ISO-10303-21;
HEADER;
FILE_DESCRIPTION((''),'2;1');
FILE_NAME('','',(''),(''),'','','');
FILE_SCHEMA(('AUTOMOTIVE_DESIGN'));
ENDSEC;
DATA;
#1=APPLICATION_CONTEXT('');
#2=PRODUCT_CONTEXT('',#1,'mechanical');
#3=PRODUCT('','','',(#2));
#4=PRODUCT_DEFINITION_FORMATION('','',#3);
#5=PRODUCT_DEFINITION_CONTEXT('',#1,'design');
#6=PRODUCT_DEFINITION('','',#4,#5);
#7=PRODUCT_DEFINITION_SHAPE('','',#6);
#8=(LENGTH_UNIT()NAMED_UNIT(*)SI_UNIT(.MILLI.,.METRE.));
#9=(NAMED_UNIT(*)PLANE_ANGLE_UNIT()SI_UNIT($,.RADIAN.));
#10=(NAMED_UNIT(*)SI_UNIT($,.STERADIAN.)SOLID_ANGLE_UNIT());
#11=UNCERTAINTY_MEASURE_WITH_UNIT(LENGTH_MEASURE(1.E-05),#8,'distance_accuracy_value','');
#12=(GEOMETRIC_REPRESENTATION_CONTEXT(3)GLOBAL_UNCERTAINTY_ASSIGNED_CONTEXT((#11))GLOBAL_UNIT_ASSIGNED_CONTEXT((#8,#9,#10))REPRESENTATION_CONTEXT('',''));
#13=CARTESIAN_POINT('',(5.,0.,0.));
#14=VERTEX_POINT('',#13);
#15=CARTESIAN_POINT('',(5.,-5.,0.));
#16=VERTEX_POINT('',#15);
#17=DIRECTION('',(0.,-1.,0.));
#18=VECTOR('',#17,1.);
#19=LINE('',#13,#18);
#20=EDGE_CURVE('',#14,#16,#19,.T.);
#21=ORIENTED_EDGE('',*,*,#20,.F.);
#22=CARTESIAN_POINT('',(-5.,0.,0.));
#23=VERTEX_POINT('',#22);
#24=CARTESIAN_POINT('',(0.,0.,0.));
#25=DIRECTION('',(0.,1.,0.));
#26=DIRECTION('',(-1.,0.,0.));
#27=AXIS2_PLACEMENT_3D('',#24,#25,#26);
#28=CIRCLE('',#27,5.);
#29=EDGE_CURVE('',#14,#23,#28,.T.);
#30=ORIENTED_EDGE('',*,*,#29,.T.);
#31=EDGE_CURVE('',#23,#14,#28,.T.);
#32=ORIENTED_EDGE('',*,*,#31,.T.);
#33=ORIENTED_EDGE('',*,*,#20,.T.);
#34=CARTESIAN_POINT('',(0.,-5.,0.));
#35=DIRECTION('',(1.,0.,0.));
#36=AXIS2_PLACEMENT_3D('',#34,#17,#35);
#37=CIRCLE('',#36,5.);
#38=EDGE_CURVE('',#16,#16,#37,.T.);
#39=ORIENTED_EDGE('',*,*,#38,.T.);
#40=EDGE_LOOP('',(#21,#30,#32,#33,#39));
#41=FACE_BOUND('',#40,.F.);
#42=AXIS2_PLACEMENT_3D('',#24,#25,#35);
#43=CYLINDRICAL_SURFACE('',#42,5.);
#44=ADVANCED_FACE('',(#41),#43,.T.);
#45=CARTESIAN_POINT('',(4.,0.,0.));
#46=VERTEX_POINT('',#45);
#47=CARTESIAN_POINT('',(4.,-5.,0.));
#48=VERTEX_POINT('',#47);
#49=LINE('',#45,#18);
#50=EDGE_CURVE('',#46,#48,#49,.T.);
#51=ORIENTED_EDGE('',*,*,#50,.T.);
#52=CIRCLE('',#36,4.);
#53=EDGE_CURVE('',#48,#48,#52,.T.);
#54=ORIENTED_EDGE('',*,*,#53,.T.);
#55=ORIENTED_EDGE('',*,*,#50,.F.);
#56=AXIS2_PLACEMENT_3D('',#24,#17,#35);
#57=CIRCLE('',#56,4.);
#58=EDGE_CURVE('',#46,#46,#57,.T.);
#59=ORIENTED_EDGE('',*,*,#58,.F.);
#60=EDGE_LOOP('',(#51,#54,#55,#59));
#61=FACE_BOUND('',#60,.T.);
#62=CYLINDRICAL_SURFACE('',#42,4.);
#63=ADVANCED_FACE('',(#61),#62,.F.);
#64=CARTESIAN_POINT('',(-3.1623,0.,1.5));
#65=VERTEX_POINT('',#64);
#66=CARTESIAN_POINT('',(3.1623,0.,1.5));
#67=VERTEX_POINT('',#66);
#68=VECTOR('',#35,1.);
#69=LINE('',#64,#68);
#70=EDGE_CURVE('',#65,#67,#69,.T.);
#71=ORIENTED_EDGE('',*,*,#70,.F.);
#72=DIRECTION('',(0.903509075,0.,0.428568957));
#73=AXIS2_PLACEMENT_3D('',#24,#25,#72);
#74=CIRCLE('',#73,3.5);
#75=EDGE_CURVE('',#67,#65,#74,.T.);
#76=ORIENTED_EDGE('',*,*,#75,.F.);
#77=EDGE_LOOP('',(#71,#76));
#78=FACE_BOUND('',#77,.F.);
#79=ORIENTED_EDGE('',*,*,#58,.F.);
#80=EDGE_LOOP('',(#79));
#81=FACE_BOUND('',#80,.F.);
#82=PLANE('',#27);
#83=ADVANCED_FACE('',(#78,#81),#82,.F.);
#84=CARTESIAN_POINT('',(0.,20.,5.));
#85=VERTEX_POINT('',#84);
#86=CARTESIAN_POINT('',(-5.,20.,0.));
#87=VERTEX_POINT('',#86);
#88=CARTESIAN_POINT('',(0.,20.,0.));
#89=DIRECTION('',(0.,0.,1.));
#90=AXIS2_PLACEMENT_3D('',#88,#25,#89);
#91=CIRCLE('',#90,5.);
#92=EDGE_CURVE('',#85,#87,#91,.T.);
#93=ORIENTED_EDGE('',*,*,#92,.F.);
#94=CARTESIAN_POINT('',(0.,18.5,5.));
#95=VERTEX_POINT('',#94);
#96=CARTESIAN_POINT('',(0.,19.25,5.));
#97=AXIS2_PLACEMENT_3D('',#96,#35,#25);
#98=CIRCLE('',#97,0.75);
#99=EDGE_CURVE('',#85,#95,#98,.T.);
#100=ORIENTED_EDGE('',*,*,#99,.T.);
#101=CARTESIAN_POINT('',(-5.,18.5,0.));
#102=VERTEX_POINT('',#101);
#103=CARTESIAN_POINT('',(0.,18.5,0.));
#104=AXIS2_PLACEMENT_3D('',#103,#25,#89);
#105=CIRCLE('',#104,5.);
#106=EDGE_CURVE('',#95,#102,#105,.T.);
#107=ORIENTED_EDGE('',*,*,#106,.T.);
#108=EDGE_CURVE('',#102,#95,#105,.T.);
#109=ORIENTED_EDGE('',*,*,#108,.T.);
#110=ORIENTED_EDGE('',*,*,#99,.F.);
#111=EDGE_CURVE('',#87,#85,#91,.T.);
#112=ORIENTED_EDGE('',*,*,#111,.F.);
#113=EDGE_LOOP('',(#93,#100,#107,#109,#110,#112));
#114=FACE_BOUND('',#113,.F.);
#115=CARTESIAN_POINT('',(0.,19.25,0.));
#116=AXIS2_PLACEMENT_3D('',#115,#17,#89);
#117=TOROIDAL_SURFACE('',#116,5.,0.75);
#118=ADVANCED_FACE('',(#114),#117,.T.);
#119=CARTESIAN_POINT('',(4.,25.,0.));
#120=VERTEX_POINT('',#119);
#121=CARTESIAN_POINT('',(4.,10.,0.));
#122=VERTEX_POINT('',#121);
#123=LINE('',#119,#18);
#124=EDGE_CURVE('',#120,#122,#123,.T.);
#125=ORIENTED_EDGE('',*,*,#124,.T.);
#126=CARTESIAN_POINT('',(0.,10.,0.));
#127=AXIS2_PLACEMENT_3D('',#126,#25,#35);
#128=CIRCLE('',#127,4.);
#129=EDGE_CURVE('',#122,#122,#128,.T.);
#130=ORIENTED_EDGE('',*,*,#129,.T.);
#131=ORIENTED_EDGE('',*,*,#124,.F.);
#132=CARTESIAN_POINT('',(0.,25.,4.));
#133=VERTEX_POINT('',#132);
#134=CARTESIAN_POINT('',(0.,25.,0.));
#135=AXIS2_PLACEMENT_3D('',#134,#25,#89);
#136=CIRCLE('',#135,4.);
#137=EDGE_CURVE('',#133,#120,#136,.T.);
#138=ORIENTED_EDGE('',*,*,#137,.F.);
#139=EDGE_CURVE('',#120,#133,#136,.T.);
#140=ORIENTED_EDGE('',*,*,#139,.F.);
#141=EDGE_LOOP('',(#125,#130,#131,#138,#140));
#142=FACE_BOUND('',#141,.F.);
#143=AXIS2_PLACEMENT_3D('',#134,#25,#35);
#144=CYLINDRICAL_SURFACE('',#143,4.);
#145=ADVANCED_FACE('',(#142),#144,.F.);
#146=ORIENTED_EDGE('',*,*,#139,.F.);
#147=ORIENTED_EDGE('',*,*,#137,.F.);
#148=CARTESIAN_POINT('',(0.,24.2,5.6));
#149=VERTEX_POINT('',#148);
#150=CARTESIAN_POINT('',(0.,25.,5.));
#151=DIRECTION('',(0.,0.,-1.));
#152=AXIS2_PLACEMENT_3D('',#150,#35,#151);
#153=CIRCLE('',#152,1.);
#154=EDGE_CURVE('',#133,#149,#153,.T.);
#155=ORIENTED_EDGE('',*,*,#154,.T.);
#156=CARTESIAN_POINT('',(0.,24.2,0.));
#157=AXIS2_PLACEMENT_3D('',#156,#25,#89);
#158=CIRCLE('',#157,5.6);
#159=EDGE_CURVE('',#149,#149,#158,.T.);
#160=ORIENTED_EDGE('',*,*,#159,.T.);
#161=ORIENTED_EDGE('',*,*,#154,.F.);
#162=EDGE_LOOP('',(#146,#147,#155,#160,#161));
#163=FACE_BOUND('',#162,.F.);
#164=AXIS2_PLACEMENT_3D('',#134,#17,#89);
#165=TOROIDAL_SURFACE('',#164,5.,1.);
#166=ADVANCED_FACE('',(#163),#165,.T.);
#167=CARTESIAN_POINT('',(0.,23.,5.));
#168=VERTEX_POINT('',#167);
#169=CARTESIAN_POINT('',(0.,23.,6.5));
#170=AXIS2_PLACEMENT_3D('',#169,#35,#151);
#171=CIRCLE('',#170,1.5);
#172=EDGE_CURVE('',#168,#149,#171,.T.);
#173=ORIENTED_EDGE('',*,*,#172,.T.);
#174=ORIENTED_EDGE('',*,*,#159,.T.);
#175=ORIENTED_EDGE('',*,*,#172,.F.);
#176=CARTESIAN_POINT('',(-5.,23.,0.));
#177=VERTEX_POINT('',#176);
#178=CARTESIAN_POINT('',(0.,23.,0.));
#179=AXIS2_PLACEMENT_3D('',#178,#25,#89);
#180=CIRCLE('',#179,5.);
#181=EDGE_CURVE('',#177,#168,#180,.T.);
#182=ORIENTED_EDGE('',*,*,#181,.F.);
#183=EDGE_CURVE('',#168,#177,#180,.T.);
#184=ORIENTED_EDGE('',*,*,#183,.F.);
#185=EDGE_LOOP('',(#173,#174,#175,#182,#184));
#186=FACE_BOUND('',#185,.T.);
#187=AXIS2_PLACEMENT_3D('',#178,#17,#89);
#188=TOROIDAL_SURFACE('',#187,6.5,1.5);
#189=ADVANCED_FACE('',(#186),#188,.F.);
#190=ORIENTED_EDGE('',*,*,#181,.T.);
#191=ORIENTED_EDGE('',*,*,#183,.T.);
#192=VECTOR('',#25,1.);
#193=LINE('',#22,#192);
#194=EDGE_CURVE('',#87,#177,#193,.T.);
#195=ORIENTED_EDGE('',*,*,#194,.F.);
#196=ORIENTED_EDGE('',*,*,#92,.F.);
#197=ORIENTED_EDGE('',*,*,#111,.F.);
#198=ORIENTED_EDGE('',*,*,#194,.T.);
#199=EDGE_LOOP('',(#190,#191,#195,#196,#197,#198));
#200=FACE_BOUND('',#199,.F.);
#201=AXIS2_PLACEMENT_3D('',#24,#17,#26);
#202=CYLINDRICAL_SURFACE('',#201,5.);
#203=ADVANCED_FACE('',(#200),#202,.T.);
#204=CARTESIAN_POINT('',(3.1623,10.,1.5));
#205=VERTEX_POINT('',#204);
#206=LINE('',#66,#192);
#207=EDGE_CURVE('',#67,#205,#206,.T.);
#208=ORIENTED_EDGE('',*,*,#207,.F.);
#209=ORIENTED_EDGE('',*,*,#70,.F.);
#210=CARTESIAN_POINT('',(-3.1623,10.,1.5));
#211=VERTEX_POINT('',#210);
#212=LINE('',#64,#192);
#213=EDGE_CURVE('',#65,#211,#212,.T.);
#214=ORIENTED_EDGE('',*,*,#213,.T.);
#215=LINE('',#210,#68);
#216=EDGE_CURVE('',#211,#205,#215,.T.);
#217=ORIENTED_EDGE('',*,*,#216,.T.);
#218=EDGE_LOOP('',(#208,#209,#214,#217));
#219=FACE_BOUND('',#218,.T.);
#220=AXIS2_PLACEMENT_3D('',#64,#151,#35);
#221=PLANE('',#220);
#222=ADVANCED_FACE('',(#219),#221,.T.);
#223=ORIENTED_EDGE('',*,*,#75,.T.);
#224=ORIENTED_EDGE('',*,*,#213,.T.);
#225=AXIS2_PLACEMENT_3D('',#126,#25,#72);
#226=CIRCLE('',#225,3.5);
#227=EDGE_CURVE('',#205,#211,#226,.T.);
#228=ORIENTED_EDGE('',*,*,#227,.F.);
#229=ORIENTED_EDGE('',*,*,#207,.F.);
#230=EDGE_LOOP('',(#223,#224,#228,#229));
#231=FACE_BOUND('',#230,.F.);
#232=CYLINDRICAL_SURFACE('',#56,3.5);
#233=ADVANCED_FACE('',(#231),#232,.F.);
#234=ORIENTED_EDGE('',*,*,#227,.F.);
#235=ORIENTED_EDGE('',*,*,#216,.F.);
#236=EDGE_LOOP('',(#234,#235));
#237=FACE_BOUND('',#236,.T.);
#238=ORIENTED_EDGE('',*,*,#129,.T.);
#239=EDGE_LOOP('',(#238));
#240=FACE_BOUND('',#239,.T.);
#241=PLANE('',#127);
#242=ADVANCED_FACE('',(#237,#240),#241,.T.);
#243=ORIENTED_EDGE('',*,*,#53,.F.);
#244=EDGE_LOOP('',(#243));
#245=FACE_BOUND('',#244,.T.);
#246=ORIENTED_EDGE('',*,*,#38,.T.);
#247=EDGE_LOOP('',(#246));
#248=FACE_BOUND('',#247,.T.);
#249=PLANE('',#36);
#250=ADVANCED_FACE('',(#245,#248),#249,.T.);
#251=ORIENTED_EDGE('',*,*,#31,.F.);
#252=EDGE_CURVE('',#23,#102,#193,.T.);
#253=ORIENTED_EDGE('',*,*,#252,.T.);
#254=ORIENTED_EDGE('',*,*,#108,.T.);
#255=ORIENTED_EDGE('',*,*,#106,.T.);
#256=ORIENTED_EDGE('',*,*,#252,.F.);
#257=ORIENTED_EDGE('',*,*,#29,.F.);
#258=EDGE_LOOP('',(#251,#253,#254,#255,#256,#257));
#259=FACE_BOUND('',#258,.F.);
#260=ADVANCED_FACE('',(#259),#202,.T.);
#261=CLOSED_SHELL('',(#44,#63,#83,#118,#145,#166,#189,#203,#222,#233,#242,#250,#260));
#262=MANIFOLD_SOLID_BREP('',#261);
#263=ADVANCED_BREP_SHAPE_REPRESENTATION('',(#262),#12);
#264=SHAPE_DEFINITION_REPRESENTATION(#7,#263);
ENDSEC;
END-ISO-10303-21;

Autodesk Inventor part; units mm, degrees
ref_plane "YZ Plane" through (0, 0, 0) normal (1, 0, 0) x (0, 1, 0)
ref_plane "XZ Plane" through (0, 0, 0) normal (0, 1, 0) x (-1, 0, 0)
ref_plane "XY Plane" through (0, 0, 0) normal (0, 0, 1) x (1, 0, 0)
sketch "Skizze1" plane through (0, 0, 0) normal (0, 1, 0) x (-1, 0, 0)
  circle A0 centre (0, 0) radius 5
  dimension "d0" = 10
extrude "Extrusion1" add sketch "Skizze1" along normal blind 25
sketch "Skizze2" plane through (0, 0, 0) normal (0, -1, 0) x (1, 0, 0)
  circle A0 centre (0, 0) radius 5 projected
  circle A1 centre (0, 0) radius 3.5
  line L0 (-3.1623, 1.5) -> (3.1623, 1.5)
  dimension "d3" = 7
  dimension "d4" = 5
extrude "Extrusion2" cut sketch "Skizze2" against normal blind 10 contours A1 L0 picked at (-0.8784, -0.2211)
sketch "Skizze3" plane through (0, 0, 0) normal (0, -1, 0) x (1, 0, 0)
  circle A0 centre (0, 0) radius 5 projected
  circle A1 centre (0, 0) radius 4
  dimension "d7" = 1
extrude "Extrusion3" add sketch "Skizze3" along normal blind 5
sketch "Skizze4" plane through (0, 0, 0) normal (1, 0, 0) x (0, 1, 0)
  line L0 (-5, 5) -> (-5, -5) projected
  line L1 (25, -5) -> (25, 5) projected
  line L2 (-5, 5) -> (25, 5) projected
  arc A0 (20, 5) -> (18.5, 5) centre (19.25, 5) ccw
  arc A1 (23, 5) -> (24.2, 5.6) centre (23, 6.5) ccw
  arc A2 (25, 4) -> (24.2, 5.6) centre (25, 5) ccw
  line L3 (-10.2683, 0) -> (26.61, 0) projected
  point P0 (0, 0)
  dimension "d10" = 5
  dimension "d11" = 0.75
  dimension "d12" = 2
  dimension "d13" = 1
  dimension "d14" = 1
revolve "Umdrehung1" add sketch "Skizze4" angle 360 about axis through (0, -10, 0) along (0, 1, 0) contours A0 L2 | L1 L2 A1 A2
sketch "Skizze5" plane through (0, 25, 0) normal (0, 1, 0) x (1, 0, 0)
  circle A0 centre (0, 0) radius 4 projected
extrude "Extrusion4" cut sketch "Skizze5" against normal up to surface (15 mm away)
properties part number "chimmney"
